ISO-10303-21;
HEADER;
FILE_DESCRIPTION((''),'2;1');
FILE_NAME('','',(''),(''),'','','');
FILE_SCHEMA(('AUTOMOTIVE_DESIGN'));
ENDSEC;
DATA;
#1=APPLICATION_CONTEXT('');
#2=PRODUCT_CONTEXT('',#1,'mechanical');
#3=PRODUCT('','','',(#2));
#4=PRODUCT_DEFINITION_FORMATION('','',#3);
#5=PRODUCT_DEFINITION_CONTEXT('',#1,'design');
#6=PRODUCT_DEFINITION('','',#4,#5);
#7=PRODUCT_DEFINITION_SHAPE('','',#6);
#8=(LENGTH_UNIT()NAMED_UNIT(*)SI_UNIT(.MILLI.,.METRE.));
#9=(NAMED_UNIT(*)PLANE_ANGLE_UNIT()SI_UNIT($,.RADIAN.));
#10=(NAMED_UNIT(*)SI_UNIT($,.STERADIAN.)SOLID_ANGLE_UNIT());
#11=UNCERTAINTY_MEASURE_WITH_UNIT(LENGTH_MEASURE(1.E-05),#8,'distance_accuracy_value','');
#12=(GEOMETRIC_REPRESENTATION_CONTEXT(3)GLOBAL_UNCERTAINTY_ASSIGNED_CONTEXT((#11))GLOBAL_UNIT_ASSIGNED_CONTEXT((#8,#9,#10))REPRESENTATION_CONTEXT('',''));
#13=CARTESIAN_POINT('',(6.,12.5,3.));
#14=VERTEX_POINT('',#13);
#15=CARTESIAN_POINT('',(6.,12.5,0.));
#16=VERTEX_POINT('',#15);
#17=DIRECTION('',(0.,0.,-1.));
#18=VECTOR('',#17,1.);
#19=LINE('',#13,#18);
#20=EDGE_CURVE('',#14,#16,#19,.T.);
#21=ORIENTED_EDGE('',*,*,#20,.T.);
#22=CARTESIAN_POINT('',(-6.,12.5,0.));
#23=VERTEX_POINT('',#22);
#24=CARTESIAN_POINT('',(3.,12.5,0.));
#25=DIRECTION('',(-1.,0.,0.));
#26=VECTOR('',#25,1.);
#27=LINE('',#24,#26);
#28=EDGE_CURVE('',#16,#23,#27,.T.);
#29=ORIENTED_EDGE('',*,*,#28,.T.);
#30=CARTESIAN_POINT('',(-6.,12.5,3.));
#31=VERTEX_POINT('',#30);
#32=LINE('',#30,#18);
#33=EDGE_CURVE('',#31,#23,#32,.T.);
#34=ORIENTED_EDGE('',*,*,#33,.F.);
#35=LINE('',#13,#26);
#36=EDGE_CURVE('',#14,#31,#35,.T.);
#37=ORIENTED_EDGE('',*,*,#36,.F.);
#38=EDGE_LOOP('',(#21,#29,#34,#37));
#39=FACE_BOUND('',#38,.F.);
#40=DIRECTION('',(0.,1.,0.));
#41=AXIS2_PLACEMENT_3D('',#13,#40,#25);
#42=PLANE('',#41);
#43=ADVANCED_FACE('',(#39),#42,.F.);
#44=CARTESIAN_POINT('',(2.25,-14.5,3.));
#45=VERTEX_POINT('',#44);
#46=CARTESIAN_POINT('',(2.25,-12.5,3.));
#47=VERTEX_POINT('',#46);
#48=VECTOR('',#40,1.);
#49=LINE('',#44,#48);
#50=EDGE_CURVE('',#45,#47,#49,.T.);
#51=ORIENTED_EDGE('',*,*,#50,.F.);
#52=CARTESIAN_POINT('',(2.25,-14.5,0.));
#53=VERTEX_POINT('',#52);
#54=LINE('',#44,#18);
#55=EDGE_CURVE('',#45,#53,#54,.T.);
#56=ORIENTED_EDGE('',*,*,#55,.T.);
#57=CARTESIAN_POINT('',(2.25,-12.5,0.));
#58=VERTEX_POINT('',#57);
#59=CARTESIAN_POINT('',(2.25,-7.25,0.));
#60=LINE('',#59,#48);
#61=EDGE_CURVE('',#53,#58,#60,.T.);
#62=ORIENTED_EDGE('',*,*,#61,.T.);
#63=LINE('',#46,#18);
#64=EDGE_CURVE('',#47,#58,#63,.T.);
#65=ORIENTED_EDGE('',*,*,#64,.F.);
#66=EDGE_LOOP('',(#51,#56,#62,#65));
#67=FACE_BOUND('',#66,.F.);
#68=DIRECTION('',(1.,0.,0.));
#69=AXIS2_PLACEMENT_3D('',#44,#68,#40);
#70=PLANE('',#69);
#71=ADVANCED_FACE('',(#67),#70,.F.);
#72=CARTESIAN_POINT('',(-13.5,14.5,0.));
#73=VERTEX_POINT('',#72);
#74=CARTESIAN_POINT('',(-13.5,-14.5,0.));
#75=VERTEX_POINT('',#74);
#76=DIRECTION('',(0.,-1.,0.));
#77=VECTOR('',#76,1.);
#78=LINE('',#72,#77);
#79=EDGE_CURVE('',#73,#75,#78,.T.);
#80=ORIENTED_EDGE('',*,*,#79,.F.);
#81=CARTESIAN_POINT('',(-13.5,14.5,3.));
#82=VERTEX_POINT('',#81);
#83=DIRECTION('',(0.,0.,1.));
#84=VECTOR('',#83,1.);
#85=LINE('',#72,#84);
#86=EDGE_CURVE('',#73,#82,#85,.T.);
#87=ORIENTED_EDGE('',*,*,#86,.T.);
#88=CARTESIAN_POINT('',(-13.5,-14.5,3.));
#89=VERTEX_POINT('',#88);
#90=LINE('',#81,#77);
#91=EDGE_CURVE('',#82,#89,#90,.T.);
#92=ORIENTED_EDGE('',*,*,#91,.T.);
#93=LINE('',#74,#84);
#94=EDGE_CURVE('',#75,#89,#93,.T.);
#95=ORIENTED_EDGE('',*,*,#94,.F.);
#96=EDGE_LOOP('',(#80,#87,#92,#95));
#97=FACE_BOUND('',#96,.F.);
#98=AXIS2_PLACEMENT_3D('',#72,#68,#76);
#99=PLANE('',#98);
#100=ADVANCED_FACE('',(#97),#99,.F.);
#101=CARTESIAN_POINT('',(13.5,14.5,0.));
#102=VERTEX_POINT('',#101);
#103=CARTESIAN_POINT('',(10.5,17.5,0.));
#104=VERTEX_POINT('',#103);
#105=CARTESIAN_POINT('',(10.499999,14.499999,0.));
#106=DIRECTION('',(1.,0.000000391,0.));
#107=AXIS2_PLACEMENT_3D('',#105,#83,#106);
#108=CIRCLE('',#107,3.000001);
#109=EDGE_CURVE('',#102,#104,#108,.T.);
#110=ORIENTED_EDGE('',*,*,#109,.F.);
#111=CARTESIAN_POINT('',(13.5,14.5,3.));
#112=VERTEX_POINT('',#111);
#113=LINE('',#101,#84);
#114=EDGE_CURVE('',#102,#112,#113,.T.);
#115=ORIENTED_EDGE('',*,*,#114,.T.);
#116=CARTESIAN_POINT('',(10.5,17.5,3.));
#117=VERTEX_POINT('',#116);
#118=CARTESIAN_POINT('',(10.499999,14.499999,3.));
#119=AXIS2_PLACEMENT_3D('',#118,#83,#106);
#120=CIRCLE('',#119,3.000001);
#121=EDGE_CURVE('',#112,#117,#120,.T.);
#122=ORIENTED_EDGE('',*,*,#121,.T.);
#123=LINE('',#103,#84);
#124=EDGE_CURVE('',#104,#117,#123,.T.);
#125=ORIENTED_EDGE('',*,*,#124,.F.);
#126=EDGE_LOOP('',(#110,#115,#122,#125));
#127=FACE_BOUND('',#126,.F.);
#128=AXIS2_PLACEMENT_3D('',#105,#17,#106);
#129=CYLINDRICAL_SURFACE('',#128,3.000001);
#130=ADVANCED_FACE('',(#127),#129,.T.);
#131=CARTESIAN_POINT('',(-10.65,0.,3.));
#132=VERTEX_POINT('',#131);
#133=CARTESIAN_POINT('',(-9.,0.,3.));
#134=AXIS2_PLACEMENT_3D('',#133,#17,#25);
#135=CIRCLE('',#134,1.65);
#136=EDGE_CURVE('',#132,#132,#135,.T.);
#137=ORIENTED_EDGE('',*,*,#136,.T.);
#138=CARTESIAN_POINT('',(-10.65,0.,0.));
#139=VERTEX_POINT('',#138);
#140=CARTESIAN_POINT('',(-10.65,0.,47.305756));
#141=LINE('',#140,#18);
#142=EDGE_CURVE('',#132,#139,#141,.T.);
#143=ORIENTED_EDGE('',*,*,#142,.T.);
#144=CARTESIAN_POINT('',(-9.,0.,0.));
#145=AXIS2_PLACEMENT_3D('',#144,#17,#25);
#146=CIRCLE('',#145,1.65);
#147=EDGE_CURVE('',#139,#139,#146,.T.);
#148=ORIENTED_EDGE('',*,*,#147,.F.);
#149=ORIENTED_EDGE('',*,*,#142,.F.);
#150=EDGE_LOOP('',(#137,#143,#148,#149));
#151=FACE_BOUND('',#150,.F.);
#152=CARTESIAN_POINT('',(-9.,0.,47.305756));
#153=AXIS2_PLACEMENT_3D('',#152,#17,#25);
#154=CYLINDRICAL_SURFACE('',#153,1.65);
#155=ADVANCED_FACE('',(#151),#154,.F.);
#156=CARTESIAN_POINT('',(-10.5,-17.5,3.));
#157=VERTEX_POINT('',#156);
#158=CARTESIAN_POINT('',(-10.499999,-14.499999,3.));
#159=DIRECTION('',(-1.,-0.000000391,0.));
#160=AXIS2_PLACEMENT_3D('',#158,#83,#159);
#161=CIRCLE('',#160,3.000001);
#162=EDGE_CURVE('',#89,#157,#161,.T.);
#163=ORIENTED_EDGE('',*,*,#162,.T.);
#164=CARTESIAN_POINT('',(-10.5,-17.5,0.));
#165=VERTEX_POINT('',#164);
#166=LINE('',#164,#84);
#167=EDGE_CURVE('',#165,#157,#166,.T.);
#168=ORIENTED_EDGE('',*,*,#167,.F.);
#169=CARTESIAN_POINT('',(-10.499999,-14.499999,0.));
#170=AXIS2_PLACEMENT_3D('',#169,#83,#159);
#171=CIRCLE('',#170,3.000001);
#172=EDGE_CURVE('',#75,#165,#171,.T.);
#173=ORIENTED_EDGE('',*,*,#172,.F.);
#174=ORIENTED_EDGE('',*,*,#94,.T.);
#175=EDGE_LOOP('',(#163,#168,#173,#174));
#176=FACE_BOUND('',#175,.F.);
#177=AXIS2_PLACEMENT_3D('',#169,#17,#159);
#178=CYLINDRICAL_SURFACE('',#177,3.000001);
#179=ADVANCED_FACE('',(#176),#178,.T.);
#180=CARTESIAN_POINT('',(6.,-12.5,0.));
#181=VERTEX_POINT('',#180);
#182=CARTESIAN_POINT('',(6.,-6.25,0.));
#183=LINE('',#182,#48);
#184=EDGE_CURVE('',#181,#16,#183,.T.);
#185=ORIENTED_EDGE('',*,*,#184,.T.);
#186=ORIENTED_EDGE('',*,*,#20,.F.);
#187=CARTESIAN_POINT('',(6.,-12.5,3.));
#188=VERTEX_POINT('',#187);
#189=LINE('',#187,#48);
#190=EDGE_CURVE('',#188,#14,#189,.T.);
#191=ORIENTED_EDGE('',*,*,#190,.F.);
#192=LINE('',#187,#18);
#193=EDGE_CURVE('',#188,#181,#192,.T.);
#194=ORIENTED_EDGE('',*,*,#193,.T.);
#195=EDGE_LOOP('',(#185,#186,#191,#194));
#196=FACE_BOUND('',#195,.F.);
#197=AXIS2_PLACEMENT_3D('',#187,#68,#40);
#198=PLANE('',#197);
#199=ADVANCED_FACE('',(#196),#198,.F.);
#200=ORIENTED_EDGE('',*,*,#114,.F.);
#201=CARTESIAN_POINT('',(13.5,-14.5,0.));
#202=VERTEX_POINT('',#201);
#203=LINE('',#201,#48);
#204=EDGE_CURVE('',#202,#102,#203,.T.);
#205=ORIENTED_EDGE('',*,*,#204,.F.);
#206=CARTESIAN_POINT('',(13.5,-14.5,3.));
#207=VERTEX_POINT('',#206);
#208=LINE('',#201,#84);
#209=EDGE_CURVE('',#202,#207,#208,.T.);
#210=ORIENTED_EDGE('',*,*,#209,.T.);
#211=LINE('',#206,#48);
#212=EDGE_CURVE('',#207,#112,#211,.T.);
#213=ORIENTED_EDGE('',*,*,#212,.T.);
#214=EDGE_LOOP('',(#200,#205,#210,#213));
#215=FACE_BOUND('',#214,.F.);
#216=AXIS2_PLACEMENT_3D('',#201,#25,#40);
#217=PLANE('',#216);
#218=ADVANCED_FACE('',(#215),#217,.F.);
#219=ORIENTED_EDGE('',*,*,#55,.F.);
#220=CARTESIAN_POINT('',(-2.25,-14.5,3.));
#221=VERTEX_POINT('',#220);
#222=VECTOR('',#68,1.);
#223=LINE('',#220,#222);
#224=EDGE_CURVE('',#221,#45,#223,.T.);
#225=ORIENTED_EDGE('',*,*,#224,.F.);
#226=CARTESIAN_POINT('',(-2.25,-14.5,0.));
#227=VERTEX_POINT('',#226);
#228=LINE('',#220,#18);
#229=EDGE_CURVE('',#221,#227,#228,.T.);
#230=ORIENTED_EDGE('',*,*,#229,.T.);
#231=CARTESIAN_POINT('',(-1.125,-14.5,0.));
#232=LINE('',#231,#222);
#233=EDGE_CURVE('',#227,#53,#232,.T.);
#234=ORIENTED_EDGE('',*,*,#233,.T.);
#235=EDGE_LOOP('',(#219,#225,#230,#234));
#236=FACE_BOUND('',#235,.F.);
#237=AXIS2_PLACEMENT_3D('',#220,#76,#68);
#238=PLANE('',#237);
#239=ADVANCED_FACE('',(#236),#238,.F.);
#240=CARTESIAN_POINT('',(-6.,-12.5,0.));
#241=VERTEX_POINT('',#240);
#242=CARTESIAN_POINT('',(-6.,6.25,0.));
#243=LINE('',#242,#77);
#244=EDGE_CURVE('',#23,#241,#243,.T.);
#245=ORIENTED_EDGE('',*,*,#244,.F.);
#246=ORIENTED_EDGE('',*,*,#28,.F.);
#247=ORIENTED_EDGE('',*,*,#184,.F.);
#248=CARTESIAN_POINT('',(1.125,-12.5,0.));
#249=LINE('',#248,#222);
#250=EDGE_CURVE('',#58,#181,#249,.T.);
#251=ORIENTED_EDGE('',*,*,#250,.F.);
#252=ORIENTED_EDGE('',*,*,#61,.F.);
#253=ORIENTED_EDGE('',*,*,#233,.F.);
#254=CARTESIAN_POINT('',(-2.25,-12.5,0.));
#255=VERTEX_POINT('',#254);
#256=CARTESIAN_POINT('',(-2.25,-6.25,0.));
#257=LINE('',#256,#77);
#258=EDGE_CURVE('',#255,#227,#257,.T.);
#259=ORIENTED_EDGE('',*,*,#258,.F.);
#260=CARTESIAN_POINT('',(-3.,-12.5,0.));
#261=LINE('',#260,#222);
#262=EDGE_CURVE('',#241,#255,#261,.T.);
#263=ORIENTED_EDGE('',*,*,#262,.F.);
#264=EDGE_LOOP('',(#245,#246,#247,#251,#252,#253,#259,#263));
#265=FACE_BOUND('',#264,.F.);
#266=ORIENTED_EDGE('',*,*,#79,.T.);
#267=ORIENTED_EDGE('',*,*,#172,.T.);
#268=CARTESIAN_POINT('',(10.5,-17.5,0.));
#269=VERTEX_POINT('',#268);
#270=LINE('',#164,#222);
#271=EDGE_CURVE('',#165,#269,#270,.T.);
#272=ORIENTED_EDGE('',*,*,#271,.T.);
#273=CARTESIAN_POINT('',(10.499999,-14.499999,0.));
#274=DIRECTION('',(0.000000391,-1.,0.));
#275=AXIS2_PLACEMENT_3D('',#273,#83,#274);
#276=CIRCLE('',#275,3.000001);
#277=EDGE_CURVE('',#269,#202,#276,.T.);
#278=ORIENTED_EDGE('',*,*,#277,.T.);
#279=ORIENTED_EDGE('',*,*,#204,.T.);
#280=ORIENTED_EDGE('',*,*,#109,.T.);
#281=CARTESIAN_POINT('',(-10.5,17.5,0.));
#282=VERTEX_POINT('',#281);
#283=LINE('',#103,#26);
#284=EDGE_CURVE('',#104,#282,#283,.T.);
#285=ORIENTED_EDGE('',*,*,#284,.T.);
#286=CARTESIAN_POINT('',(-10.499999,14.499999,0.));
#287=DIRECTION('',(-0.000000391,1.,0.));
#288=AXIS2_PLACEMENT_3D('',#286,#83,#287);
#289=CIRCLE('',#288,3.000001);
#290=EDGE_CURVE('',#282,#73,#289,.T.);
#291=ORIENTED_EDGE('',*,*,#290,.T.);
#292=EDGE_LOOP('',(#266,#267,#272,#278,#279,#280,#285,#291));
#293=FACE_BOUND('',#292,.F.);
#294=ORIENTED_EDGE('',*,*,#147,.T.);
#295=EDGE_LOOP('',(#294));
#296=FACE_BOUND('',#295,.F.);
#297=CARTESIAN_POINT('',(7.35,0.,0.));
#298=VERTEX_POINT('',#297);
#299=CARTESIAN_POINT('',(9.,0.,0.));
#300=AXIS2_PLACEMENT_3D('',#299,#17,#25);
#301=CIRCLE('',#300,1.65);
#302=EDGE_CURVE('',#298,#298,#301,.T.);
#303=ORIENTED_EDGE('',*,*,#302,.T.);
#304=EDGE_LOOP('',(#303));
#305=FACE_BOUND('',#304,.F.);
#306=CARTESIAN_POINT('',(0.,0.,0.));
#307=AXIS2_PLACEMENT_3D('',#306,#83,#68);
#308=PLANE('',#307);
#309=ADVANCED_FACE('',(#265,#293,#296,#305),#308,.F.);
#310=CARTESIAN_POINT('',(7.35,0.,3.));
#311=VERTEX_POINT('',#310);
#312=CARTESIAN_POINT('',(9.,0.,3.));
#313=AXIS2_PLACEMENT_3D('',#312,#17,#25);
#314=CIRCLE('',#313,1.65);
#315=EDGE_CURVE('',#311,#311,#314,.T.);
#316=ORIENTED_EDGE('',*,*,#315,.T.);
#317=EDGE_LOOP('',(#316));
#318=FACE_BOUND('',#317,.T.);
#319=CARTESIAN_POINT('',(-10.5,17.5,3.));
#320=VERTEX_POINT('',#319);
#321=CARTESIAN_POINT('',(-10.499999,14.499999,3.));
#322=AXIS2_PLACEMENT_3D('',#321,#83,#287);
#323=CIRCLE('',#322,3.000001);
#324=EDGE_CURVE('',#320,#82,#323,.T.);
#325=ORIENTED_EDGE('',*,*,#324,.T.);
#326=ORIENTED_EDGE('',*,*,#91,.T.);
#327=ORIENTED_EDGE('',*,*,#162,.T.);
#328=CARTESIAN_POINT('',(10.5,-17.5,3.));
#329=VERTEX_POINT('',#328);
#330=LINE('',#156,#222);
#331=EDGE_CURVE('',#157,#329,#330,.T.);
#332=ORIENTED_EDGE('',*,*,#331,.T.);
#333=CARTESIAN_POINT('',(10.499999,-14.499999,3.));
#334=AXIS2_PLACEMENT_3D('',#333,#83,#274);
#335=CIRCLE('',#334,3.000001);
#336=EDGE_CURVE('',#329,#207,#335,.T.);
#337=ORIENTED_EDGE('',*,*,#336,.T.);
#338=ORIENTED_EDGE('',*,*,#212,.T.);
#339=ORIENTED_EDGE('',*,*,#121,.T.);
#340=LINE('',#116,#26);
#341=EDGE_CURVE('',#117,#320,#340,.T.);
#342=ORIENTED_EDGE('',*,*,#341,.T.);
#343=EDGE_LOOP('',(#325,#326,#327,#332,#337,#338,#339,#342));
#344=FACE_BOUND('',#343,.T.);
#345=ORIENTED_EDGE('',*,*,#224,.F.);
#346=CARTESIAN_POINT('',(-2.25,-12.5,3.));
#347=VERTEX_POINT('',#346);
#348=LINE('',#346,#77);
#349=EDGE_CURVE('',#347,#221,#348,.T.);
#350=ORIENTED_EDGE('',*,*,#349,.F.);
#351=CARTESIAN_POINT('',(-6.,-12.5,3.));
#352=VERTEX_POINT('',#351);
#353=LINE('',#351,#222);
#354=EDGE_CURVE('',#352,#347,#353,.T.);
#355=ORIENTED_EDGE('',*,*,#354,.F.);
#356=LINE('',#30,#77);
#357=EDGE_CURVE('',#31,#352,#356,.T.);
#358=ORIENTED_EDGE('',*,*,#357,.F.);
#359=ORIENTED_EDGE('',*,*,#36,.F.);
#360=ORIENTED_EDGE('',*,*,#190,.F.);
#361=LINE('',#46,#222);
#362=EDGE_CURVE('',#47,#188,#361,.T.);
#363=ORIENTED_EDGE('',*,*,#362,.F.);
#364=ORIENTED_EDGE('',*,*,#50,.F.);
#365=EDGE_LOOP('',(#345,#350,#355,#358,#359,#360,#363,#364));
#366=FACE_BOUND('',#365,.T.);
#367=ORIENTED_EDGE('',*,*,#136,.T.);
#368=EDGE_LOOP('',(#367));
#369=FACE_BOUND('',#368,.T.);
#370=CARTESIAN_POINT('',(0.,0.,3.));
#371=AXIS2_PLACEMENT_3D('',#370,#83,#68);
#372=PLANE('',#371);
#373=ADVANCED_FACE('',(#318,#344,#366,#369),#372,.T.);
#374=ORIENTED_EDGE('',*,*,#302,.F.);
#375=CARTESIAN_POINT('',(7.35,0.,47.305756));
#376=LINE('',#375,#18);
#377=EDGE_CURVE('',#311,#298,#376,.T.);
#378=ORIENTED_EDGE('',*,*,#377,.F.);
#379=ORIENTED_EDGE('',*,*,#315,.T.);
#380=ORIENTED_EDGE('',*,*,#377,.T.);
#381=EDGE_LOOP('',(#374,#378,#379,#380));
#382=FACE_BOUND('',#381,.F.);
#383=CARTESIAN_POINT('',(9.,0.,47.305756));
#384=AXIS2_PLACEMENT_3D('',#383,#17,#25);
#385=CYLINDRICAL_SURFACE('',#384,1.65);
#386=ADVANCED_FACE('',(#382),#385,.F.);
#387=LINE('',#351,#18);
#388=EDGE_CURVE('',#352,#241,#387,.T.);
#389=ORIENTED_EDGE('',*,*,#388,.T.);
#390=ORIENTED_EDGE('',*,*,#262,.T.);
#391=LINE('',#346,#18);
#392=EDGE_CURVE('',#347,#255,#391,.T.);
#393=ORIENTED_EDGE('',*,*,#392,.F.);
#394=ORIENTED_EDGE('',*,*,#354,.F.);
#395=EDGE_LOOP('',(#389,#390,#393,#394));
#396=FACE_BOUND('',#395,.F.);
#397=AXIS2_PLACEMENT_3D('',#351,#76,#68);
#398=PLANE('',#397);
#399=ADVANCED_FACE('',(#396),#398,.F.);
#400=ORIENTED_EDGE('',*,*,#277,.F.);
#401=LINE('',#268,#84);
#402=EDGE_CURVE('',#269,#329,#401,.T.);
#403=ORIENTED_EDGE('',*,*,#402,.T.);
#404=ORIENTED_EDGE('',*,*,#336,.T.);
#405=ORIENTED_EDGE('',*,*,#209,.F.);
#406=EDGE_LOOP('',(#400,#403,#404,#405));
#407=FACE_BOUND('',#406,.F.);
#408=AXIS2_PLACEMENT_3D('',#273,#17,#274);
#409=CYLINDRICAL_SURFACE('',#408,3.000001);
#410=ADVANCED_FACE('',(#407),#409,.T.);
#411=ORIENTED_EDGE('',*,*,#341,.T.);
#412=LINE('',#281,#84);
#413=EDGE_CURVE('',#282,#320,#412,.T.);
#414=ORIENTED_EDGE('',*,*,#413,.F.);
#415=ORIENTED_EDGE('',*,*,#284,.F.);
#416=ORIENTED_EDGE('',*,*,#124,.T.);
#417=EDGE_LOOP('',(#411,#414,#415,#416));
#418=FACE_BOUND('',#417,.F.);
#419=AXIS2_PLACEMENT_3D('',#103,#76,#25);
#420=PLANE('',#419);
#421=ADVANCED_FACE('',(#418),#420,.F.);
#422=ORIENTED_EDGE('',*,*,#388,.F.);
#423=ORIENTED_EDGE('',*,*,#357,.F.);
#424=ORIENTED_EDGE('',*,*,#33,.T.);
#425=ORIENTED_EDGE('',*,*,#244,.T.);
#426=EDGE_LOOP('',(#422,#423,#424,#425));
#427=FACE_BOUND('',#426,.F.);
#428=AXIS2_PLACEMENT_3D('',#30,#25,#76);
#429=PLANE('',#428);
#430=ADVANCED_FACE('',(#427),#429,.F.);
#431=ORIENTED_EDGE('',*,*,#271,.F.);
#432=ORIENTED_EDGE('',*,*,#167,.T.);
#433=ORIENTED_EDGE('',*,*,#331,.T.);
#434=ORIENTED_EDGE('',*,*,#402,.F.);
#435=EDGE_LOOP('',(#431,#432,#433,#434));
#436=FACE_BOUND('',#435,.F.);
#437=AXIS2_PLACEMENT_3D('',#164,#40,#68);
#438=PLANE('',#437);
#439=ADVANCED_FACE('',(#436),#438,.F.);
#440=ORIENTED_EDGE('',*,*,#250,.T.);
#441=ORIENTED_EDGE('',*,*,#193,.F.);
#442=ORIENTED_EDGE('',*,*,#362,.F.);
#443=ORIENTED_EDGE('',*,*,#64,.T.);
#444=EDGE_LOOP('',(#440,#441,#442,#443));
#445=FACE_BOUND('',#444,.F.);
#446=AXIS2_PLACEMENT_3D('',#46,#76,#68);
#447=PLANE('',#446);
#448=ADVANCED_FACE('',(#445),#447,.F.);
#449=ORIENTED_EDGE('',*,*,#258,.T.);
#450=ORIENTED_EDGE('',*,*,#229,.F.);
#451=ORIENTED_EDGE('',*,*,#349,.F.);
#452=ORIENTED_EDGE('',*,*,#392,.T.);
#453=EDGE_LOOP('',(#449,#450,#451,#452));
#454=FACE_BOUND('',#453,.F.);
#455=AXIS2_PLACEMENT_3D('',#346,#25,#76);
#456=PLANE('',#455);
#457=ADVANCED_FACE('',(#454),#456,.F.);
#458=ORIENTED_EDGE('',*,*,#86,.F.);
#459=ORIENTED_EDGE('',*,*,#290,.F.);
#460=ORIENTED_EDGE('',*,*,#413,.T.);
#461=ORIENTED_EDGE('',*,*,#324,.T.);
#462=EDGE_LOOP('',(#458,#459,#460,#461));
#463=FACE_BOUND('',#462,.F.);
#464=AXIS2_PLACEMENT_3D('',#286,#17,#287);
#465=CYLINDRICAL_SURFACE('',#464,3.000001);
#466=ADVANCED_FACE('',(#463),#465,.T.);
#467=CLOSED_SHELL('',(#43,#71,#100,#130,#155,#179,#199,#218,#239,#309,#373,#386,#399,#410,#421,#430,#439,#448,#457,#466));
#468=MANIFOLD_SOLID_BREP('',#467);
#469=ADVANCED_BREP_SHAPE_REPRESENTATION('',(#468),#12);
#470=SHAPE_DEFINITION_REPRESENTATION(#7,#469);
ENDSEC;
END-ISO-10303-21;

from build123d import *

# Parameters (mm, degrees)
F1_DEPTH = 3
F3_D     = 3.3
F5_DEPTH = 25


with BuildPart() as f1:
    # F0 (on Top) → F1 (new body)
    with BuildSketch(Plane.XY):
        with BuildLine():
            Line((10.5, 17.5), (-10.5, 17.5))
            ThreePointArc((-10.5, 17.5), (-12.62132, 16.62132), (-13.5, 14.5))
            Line((-13.5, 14.5), (-13.5, -14.5))
            ThreePointArc((-13.5, -14.5), (-12.62132, -16.62132), (-10.5, -17.5))
            Line((-10.5, -17.5), (10.5, -17.5))
            ThreePointArc((10.5, -17.5), (12.62132, -16.62132), (13.5, -14.5))
            Line((13.5, -14.5), (13.5, 14.5))
            ThreePointArc((13.5, 14.5), (12.62132, 16.62132), (10.5, 17.5))
        make_face()
    extrude(amount=F1_DEPTH)

    # F3 (through all)
    with Locations(Plane.XY.offset(3)):
        with Locations((-9, 0), (9, 0)):
            Hole(F3_D / 2)

    # F4 (on face) → F5 (cut)
    with BuildSketch(Plane.XY.offset(3)):
        Polygon((6, 12.5), (-6, 12.5), (-6, -12.5), (-2.25, -12.5), (-2.25, -14.5), (2.25, -14.5), (2.25, -12.5), (6, -12.5), align=None)
    extrude(amount=-F5_DEPTH, mode=Mode.SUBTRACT)


solid = f1.part
